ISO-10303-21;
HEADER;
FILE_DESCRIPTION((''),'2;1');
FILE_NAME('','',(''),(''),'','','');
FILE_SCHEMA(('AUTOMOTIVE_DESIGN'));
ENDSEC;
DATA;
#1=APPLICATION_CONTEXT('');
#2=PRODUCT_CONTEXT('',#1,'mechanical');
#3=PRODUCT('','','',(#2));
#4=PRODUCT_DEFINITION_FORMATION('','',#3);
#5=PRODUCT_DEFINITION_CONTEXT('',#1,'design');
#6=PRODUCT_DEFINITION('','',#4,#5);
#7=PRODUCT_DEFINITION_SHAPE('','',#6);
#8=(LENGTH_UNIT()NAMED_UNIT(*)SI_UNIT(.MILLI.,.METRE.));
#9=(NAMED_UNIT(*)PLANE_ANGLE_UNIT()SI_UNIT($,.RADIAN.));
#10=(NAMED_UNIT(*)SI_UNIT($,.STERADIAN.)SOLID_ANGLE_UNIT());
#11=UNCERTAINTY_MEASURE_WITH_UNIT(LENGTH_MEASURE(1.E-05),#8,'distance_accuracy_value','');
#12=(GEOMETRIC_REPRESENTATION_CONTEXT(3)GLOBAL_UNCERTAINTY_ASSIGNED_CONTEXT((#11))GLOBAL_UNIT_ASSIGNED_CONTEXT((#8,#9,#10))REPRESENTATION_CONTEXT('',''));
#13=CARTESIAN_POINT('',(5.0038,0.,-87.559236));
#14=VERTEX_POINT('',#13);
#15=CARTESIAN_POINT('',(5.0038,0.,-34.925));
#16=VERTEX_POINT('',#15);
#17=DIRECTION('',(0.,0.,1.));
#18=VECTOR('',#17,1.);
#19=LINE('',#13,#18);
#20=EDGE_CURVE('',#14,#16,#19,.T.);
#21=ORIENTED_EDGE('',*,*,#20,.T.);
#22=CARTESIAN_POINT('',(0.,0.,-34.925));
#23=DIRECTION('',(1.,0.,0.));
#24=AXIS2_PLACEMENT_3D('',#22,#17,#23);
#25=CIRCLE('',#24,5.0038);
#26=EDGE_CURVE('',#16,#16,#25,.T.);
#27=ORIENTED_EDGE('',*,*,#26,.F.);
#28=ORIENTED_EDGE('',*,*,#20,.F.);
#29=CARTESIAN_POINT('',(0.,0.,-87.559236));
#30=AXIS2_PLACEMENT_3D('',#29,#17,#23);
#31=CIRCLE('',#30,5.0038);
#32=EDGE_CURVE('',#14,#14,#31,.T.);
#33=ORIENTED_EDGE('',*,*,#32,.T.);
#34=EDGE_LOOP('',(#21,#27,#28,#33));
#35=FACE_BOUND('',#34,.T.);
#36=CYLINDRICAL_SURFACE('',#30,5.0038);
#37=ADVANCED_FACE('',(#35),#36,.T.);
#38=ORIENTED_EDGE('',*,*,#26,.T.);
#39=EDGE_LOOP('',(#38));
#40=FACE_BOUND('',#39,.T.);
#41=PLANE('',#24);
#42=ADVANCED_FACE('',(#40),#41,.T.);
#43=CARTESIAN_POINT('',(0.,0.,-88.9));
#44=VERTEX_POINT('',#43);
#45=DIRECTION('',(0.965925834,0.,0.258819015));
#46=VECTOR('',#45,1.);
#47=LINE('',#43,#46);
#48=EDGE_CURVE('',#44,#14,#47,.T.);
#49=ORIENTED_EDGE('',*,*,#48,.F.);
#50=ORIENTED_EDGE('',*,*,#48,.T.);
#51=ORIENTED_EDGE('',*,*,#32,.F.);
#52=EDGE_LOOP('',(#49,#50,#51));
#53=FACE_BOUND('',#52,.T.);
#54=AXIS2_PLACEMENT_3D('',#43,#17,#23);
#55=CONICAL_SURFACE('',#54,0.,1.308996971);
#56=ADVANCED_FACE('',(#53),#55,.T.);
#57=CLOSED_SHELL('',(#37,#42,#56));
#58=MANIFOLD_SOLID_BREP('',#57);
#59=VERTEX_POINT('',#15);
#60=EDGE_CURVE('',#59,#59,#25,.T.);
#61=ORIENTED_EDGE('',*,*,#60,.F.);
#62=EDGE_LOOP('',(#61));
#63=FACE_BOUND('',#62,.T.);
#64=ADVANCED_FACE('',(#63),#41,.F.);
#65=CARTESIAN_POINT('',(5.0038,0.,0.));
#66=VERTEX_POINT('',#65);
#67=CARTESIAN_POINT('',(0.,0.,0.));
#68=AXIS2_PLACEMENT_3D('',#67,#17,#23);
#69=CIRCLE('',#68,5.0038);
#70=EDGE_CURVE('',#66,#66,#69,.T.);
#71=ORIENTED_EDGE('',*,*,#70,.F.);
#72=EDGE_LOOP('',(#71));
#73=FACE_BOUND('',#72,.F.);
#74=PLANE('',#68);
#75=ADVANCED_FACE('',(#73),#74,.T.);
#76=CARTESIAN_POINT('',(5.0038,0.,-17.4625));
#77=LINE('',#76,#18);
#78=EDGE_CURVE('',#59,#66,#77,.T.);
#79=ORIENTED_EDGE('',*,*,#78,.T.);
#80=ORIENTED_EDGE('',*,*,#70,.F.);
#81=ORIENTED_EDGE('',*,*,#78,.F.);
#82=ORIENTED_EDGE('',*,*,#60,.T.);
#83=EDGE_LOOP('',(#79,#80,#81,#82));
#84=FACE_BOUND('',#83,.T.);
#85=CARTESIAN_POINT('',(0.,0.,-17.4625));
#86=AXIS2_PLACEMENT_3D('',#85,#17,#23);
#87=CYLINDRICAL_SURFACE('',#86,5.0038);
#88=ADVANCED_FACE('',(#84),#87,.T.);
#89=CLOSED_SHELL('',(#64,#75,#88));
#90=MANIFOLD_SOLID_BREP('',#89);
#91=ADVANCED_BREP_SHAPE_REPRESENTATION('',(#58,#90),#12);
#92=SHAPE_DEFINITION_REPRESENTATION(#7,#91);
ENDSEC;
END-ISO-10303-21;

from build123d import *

# Parameters (mm, degrees)
F0_W = 5.0038
F0_H = 34.925


with BuildPart() as f1:
    # F0 (on Front) → F1 (revolve)
    with BuildSketch(Plane.XZ):
        with Locations((2.5019, -17.4625)):
            Rectangle(F0_W, F0_H)
    revolve(axis=Axis((0, 0, -44.45), (0, 0, 1)))


with BuildPart() as f2:
    # F0 (on Front) → F2 (revolve)
    with BuildSketch(Plane.XZ):
        Polygon((5.0038, -34.925), (0, -34.925), (0, -88.9), (5.0038, -87.559236), align=None)
    revolve(axis=Axis((0, 0, -44.45), (0, 0, 1)))


solid = Compound([f1.part, f2.part])
